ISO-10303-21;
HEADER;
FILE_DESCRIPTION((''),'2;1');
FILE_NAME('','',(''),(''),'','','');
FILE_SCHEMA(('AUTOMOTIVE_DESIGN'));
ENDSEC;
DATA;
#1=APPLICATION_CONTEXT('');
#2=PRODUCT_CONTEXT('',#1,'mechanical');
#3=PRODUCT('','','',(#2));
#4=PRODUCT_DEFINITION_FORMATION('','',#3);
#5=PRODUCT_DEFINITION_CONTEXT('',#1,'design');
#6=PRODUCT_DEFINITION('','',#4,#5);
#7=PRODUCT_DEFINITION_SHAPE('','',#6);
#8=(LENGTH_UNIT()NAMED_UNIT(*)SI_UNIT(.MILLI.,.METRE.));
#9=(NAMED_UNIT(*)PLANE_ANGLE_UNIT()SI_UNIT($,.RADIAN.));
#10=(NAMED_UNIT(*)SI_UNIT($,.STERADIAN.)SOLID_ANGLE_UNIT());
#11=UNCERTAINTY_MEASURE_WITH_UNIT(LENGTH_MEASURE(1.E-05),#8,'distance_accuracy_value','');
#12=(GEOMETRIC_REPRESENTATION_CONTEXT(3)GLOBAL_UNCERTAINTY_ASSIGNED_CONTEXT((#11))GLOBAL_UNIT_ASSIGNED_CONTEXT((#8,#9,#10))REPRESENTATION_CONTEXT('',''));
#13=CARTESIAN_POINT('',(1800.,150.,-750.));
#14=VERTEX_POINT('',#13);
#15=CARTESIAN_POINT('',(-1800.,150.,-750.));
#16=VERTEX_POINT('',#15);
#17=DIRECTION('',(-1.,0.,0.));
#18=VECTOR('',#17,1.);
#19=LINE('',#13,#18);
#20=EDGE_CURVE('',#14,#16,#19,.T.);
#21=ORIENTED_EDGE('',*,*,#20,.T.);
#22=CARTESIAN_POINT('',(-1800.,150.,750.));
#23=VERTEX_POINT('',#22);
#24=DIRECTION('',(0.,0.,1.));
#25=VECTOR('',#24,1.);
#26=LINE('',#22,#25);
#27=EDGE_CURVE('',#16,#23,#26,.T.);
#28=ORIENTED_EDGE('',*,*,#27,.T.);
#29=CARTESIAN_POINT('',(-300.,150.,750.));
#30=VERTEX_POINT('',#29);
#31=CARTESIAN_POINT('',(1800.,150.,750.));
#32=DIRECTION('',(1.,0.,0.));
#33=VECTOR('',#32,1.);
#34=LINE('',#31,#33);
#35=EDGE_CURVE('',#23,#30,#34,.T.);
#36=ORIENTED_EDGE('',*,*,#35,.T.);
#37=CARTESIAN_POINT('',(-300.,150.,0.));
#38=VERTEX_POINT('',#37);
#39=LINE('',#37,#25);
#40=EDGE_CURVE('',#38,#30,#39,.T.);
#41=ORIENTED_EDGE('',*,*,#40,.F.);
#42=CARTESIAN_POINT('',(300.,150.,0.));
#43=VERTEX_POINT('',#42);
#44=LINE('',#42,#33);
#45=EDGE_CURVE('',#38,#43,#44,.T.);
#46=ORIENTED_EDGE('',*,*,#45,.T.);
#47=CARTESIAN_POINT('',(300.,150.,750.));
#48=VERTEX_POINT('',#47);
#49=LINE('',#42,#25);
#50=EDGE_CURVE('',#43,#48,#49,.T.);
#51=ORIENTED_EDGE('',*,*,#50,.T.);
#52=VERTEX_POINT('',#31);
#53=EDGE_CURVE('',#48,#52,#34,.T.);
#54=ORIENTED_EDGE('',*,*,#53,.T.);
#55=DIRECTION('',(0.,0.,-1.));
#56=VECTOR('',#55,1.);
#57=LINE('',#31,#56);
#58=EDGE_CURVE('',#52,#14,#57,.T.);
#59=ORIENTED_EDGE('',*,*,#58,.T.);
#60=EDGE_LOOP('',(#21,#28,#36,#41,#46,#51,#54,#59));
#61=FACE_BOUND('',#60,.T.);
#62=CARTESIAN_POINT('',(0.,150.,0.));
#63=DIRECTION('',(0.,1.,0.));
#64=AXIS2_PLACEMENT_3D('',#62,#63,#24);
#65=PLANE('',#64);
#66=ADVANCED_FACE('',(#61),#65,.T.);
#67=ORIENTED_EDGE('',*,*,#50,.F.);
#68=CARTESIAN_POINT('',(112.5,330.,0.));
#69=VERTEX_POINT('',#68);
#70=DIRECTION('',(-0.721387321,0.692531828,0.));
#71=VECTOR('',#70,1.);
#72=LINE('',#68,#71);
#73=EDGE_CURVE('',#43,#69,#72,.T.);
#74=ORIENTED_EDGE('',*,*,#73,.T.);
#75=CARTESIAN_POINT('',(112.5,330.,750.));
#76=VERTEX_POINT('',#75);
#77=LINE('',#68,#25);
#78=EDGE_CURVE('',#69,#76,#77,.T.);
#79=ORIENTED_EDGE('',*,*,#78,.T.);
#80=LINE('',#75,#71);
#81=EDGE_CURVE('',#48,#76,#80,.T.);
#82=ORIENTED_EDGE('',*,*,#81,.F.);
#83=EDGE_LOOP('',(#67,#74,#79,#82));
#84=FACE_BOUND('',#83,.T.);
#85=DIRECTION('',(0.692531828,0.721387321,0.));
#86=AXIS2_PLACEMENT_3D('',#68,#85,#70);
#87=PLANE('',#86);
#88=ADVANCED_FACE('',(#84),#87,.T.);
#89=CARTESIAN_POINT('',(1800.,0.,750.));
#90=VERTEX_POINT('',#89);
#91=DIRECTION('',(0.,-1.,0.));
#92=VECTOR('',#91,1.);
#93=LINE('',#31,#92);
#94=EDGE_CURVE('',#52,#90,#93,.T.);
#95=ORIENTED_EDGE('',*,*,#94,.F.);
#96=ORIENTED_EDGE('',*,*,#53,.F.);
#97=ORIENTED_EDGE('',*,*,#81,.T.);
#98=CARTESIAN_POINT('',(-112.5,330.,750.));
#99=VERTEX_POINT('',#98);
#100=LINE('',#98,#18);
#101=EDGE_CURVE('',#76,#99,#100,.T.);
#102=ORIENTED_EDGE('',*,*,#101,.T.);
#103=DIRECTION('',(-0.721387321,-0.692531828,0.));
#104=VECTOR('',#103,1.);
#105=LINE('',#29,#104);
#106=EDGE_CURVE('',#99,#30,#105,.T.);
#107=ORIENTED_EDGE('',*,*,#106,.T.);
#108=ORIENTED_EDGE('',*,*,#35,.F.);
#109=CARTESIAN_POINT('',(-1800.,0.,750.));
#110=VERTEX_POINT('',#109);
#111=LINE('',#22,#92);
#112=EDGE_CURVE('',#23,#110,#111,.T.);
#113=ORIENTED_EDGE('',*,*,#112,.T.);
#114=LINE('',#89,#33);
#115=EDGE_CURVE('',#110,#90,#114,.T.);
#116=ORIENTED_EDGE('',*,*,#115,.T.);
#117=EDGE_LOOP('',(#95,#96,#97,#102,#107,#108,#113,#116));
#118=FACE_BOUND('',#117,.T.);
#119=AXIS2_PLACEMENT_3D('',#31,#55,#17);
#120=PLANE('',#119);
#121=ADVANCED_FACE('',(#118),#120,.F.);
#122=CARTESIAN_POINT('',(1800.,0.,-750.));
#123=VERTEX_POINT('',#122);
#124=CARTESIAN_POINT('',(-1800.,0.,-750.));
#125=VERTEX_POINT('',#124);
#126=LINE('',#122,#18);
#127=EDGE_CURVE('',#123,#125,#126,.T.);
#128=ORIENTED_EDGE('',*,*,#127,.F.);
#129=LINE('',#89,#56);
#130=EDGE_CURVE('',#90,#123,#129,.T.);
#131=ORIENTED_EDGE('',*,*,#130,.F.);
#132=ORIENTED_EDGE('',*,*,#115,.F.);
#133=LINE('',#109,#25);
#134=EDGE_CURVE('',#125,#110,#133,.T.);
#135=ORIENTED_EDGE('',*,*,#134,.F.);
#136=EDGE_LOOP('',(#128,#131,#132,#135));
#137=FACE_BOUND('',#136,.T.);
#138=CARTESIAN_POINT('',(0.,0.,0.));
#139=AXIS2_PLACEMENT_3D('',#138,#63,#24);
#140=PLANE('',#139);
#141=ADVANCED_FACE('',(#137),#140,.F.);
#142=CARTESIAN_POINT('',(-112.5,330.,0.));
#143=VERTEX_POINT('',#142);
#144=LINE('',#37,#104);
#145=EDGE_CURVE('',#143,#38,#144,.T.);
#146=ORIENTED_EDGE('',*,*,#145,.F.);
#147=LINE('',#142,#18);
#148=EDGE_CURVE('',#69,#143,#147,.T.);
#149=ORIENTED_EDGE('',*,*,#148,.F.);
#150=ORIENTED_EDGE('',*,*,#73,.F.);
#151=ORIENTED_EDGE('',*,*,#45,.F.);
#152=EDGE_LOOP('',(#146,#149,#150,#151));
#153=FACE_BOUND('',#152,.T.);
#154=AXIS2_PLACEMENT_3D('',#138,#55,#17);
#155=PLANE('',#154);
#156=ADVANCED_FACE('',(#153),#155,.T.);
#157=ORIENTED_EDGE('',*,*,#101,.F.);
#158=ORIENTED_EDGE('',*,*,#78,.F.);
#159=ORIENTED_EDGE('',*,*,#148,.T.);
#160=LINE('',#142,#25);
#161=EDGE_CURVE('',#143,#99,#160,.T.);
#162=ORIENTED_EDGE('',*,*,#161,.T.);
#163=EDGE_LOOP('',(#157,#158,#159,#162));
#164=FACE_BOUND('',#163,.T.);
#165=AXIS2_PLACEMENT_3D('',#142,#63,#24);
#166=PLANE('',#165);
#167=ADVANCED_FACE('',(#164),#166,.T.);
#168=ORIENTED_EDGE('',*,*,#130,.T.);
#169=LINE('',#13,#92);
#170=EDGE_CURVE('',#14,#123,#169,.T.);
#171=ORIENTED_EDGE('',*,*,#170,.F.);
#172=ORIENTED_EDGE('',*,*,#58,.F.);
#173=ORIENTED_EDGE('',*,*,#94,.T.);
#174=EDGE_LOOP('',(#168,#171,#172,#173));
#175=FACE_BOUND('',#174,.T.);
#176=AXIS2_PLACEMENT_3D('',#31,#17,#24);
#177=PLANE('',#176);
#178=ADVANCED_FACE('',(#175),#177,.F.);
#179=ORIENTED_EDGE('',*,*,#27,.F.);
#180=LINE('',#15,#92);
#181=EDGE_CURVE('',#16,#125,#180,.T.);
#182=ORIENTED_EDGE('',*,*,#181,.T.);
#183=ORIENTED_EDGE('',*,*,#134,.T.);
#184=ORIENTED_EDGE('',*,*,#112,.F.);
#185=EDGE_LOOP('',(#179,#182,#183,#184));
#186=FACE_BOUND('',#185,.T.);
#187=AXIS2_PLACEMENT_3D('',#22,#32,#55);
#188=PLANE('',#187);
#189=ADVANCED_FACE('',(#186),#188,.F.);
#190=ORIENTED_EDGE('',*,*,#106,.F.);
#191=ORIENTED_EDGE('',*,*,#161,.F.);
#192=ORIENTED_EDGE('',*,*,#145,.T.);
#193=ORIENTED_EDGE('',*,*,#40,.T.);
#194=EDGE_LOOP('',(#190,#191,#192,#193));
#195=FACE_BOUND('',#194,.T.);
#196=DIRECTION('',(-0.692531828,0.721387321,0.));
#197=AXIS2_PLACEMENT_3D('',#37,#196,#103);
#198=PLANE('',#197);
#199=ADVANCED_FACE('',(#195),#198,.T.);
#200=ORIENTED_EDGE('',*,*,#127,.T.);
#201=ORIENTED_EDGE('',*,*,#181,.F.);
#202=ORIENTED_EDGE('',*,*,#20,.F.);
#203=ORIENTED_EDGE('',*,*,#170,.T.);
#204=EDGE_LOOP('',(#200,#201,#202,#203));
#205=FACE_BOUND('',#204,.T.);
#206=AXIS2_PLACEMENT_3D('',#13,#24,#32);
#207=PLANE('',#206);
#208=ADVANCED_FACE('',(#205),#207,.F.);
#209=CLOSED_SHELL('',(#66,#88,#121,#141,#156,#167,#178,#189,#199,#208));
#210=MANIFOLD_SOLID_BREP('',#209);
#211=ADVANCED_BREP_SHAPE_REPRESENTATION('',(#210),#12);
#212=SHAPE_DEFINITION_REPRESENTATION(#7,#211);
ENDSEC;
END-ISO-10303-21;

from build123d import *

# Parameters (mm, degrees)
SKETCH1_W           = 3600
SKETCH1_H           = 1500
BOSS_EXTRUDE1_DEPTH = 150
BOSS_EXTRUDE2_DEPTH = 750


with BuildPart() as part:
    # Sketch1 → Boss-Extrude1 (new body)
    with BuildSketch(Plane(origin=(0, 0, 0), x_dir=(1, 0, 0), z_dir=(0, 1, 0))):
        Rectangle(SKETCH1_W, SKETCH1_H)
    extrude(amount=BOSS_EXTRUDE1_DEPTH)

    # Sketch3 → Boss-Extrude2 (add)
    with BuildSketch(Plane.XY.offset(750)):
        Polygon((300, 150), (-300, 150), (-112.5, 330), (112.5, 330), align=None)
    extrude(amount=-BOSS_EXTRUDE2_DEPTH)


solid = part.part
